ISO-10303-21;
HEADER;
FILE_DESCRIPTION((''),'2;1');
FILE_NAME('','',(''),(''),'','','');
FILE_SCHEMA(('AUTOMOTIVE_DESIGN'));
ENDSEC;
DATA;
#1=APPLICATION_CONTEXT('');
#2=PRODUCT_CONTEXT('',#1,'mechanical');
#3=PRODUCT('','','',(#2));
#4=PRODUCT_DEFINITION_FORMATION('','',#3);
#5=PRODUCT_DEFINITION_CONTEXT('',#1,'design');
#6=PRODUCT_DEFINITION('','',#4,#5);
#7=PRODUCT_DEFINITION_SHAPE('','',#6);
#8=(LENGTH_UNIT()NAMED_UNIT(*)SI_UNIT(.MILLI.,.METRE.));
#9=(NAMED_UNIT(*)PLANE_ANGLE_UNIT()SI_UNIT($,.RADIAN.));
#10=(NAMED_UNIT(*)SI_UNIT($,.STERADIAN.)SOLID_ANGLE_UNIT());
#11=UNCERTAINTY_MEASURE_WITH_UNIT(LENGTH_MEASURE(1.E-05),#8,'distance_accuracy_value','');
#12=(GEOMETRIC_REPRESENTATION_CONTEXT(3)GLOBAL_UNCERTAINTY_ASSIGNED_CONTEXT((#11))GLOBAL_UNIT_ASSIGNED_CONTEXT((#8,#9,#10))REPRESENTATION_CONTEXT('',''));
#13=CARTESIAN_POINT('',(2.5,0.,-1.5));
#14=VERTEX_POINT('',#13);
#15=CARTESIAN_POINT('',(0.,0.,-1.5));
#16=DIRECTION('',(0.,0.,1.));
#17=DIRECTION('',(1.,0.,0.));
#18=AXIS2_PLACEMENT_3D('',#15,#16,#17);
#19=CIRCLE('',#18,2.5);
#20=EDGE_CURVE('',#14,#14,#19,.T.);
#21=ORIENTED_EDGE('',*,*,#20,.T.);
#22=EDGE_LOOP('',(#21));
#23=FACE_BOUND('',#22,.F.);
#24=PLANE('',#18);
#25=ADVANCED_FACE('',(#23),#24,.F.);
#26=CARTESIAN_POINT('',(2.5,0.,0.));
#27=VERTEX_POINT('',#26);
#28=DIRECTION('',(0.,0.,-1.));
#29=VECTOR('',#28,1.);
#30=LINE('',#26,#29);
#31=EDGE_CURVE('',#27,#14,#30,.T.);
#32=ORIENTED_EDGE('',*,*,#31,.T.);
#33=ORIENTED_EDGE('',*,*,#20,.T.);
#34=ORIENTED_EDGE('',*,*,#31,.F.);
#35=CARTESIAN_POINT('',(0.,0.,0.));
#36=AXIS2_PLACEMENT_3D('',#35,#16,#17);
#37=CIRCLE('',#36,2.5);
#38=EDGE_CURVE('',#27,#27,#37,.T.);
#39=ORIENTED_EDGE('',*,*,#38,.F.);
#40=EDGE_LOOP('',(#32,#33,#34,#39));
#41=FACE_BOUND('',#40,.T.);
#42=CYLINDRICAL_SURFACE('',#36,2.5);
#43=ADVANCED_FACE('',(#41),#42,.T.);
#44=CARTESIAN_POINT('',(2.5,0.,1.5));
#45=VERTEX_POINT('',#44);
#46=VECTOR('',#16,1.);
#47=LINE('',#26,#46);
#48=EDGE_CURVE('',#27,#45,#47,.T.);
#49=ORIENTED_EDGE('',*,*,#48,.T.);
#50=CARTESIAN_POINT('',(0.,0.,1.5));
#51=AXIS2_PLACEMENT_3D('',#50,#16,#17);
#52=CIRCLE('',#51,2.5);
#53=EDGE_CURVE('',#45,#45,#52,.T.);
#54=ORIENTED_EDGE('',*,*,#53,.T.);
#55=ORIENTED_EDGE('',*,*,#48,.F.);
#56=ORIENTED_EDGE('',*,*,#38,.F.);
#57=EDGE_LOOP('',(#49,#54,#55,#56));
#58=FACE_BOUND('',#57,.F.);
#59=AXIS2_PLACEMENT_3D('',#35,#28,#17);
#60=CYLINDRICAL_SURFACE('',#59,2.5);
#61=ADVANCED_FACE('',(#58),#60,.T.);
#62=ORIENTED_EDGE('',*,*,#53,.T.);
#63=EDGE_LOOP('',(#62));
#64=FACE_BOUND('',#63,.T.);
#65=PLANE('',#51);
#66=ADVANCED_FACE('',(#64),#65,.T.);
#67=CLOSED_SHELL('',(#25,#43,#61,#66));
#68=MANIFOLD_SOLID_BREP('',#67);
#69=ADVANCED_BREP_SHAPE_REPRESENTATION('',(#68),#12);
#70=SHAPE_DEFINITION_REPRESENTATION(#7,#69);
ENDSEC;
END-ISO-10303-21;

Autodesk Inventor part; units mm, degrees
ref_plane "YZ Plane" through (0, 0, 0) normal (1, 0, 0) x (0, 1, 0)
ref_plane "XZ Plane" through (0, 0, 0) normal (0, 1, 0) x (-1, 0, 0)
ref_plane "XY Plane" through (0, 0, 0) normal (0, 0, 1) x (1, 0, 0)
sketch "Skizze1" plane through (0, 0, 0) normal (0, 0, 1) x (1, 0, 0)
  circle A0 centre (0, 0) radius 2.5
  dimension "d0" = 5
extrude "Extrusion1" add sketch "Skizze1" along normal mid plane 3
properties part number "Magnet 5x3" material "Eisen, Grau, Magnet"
